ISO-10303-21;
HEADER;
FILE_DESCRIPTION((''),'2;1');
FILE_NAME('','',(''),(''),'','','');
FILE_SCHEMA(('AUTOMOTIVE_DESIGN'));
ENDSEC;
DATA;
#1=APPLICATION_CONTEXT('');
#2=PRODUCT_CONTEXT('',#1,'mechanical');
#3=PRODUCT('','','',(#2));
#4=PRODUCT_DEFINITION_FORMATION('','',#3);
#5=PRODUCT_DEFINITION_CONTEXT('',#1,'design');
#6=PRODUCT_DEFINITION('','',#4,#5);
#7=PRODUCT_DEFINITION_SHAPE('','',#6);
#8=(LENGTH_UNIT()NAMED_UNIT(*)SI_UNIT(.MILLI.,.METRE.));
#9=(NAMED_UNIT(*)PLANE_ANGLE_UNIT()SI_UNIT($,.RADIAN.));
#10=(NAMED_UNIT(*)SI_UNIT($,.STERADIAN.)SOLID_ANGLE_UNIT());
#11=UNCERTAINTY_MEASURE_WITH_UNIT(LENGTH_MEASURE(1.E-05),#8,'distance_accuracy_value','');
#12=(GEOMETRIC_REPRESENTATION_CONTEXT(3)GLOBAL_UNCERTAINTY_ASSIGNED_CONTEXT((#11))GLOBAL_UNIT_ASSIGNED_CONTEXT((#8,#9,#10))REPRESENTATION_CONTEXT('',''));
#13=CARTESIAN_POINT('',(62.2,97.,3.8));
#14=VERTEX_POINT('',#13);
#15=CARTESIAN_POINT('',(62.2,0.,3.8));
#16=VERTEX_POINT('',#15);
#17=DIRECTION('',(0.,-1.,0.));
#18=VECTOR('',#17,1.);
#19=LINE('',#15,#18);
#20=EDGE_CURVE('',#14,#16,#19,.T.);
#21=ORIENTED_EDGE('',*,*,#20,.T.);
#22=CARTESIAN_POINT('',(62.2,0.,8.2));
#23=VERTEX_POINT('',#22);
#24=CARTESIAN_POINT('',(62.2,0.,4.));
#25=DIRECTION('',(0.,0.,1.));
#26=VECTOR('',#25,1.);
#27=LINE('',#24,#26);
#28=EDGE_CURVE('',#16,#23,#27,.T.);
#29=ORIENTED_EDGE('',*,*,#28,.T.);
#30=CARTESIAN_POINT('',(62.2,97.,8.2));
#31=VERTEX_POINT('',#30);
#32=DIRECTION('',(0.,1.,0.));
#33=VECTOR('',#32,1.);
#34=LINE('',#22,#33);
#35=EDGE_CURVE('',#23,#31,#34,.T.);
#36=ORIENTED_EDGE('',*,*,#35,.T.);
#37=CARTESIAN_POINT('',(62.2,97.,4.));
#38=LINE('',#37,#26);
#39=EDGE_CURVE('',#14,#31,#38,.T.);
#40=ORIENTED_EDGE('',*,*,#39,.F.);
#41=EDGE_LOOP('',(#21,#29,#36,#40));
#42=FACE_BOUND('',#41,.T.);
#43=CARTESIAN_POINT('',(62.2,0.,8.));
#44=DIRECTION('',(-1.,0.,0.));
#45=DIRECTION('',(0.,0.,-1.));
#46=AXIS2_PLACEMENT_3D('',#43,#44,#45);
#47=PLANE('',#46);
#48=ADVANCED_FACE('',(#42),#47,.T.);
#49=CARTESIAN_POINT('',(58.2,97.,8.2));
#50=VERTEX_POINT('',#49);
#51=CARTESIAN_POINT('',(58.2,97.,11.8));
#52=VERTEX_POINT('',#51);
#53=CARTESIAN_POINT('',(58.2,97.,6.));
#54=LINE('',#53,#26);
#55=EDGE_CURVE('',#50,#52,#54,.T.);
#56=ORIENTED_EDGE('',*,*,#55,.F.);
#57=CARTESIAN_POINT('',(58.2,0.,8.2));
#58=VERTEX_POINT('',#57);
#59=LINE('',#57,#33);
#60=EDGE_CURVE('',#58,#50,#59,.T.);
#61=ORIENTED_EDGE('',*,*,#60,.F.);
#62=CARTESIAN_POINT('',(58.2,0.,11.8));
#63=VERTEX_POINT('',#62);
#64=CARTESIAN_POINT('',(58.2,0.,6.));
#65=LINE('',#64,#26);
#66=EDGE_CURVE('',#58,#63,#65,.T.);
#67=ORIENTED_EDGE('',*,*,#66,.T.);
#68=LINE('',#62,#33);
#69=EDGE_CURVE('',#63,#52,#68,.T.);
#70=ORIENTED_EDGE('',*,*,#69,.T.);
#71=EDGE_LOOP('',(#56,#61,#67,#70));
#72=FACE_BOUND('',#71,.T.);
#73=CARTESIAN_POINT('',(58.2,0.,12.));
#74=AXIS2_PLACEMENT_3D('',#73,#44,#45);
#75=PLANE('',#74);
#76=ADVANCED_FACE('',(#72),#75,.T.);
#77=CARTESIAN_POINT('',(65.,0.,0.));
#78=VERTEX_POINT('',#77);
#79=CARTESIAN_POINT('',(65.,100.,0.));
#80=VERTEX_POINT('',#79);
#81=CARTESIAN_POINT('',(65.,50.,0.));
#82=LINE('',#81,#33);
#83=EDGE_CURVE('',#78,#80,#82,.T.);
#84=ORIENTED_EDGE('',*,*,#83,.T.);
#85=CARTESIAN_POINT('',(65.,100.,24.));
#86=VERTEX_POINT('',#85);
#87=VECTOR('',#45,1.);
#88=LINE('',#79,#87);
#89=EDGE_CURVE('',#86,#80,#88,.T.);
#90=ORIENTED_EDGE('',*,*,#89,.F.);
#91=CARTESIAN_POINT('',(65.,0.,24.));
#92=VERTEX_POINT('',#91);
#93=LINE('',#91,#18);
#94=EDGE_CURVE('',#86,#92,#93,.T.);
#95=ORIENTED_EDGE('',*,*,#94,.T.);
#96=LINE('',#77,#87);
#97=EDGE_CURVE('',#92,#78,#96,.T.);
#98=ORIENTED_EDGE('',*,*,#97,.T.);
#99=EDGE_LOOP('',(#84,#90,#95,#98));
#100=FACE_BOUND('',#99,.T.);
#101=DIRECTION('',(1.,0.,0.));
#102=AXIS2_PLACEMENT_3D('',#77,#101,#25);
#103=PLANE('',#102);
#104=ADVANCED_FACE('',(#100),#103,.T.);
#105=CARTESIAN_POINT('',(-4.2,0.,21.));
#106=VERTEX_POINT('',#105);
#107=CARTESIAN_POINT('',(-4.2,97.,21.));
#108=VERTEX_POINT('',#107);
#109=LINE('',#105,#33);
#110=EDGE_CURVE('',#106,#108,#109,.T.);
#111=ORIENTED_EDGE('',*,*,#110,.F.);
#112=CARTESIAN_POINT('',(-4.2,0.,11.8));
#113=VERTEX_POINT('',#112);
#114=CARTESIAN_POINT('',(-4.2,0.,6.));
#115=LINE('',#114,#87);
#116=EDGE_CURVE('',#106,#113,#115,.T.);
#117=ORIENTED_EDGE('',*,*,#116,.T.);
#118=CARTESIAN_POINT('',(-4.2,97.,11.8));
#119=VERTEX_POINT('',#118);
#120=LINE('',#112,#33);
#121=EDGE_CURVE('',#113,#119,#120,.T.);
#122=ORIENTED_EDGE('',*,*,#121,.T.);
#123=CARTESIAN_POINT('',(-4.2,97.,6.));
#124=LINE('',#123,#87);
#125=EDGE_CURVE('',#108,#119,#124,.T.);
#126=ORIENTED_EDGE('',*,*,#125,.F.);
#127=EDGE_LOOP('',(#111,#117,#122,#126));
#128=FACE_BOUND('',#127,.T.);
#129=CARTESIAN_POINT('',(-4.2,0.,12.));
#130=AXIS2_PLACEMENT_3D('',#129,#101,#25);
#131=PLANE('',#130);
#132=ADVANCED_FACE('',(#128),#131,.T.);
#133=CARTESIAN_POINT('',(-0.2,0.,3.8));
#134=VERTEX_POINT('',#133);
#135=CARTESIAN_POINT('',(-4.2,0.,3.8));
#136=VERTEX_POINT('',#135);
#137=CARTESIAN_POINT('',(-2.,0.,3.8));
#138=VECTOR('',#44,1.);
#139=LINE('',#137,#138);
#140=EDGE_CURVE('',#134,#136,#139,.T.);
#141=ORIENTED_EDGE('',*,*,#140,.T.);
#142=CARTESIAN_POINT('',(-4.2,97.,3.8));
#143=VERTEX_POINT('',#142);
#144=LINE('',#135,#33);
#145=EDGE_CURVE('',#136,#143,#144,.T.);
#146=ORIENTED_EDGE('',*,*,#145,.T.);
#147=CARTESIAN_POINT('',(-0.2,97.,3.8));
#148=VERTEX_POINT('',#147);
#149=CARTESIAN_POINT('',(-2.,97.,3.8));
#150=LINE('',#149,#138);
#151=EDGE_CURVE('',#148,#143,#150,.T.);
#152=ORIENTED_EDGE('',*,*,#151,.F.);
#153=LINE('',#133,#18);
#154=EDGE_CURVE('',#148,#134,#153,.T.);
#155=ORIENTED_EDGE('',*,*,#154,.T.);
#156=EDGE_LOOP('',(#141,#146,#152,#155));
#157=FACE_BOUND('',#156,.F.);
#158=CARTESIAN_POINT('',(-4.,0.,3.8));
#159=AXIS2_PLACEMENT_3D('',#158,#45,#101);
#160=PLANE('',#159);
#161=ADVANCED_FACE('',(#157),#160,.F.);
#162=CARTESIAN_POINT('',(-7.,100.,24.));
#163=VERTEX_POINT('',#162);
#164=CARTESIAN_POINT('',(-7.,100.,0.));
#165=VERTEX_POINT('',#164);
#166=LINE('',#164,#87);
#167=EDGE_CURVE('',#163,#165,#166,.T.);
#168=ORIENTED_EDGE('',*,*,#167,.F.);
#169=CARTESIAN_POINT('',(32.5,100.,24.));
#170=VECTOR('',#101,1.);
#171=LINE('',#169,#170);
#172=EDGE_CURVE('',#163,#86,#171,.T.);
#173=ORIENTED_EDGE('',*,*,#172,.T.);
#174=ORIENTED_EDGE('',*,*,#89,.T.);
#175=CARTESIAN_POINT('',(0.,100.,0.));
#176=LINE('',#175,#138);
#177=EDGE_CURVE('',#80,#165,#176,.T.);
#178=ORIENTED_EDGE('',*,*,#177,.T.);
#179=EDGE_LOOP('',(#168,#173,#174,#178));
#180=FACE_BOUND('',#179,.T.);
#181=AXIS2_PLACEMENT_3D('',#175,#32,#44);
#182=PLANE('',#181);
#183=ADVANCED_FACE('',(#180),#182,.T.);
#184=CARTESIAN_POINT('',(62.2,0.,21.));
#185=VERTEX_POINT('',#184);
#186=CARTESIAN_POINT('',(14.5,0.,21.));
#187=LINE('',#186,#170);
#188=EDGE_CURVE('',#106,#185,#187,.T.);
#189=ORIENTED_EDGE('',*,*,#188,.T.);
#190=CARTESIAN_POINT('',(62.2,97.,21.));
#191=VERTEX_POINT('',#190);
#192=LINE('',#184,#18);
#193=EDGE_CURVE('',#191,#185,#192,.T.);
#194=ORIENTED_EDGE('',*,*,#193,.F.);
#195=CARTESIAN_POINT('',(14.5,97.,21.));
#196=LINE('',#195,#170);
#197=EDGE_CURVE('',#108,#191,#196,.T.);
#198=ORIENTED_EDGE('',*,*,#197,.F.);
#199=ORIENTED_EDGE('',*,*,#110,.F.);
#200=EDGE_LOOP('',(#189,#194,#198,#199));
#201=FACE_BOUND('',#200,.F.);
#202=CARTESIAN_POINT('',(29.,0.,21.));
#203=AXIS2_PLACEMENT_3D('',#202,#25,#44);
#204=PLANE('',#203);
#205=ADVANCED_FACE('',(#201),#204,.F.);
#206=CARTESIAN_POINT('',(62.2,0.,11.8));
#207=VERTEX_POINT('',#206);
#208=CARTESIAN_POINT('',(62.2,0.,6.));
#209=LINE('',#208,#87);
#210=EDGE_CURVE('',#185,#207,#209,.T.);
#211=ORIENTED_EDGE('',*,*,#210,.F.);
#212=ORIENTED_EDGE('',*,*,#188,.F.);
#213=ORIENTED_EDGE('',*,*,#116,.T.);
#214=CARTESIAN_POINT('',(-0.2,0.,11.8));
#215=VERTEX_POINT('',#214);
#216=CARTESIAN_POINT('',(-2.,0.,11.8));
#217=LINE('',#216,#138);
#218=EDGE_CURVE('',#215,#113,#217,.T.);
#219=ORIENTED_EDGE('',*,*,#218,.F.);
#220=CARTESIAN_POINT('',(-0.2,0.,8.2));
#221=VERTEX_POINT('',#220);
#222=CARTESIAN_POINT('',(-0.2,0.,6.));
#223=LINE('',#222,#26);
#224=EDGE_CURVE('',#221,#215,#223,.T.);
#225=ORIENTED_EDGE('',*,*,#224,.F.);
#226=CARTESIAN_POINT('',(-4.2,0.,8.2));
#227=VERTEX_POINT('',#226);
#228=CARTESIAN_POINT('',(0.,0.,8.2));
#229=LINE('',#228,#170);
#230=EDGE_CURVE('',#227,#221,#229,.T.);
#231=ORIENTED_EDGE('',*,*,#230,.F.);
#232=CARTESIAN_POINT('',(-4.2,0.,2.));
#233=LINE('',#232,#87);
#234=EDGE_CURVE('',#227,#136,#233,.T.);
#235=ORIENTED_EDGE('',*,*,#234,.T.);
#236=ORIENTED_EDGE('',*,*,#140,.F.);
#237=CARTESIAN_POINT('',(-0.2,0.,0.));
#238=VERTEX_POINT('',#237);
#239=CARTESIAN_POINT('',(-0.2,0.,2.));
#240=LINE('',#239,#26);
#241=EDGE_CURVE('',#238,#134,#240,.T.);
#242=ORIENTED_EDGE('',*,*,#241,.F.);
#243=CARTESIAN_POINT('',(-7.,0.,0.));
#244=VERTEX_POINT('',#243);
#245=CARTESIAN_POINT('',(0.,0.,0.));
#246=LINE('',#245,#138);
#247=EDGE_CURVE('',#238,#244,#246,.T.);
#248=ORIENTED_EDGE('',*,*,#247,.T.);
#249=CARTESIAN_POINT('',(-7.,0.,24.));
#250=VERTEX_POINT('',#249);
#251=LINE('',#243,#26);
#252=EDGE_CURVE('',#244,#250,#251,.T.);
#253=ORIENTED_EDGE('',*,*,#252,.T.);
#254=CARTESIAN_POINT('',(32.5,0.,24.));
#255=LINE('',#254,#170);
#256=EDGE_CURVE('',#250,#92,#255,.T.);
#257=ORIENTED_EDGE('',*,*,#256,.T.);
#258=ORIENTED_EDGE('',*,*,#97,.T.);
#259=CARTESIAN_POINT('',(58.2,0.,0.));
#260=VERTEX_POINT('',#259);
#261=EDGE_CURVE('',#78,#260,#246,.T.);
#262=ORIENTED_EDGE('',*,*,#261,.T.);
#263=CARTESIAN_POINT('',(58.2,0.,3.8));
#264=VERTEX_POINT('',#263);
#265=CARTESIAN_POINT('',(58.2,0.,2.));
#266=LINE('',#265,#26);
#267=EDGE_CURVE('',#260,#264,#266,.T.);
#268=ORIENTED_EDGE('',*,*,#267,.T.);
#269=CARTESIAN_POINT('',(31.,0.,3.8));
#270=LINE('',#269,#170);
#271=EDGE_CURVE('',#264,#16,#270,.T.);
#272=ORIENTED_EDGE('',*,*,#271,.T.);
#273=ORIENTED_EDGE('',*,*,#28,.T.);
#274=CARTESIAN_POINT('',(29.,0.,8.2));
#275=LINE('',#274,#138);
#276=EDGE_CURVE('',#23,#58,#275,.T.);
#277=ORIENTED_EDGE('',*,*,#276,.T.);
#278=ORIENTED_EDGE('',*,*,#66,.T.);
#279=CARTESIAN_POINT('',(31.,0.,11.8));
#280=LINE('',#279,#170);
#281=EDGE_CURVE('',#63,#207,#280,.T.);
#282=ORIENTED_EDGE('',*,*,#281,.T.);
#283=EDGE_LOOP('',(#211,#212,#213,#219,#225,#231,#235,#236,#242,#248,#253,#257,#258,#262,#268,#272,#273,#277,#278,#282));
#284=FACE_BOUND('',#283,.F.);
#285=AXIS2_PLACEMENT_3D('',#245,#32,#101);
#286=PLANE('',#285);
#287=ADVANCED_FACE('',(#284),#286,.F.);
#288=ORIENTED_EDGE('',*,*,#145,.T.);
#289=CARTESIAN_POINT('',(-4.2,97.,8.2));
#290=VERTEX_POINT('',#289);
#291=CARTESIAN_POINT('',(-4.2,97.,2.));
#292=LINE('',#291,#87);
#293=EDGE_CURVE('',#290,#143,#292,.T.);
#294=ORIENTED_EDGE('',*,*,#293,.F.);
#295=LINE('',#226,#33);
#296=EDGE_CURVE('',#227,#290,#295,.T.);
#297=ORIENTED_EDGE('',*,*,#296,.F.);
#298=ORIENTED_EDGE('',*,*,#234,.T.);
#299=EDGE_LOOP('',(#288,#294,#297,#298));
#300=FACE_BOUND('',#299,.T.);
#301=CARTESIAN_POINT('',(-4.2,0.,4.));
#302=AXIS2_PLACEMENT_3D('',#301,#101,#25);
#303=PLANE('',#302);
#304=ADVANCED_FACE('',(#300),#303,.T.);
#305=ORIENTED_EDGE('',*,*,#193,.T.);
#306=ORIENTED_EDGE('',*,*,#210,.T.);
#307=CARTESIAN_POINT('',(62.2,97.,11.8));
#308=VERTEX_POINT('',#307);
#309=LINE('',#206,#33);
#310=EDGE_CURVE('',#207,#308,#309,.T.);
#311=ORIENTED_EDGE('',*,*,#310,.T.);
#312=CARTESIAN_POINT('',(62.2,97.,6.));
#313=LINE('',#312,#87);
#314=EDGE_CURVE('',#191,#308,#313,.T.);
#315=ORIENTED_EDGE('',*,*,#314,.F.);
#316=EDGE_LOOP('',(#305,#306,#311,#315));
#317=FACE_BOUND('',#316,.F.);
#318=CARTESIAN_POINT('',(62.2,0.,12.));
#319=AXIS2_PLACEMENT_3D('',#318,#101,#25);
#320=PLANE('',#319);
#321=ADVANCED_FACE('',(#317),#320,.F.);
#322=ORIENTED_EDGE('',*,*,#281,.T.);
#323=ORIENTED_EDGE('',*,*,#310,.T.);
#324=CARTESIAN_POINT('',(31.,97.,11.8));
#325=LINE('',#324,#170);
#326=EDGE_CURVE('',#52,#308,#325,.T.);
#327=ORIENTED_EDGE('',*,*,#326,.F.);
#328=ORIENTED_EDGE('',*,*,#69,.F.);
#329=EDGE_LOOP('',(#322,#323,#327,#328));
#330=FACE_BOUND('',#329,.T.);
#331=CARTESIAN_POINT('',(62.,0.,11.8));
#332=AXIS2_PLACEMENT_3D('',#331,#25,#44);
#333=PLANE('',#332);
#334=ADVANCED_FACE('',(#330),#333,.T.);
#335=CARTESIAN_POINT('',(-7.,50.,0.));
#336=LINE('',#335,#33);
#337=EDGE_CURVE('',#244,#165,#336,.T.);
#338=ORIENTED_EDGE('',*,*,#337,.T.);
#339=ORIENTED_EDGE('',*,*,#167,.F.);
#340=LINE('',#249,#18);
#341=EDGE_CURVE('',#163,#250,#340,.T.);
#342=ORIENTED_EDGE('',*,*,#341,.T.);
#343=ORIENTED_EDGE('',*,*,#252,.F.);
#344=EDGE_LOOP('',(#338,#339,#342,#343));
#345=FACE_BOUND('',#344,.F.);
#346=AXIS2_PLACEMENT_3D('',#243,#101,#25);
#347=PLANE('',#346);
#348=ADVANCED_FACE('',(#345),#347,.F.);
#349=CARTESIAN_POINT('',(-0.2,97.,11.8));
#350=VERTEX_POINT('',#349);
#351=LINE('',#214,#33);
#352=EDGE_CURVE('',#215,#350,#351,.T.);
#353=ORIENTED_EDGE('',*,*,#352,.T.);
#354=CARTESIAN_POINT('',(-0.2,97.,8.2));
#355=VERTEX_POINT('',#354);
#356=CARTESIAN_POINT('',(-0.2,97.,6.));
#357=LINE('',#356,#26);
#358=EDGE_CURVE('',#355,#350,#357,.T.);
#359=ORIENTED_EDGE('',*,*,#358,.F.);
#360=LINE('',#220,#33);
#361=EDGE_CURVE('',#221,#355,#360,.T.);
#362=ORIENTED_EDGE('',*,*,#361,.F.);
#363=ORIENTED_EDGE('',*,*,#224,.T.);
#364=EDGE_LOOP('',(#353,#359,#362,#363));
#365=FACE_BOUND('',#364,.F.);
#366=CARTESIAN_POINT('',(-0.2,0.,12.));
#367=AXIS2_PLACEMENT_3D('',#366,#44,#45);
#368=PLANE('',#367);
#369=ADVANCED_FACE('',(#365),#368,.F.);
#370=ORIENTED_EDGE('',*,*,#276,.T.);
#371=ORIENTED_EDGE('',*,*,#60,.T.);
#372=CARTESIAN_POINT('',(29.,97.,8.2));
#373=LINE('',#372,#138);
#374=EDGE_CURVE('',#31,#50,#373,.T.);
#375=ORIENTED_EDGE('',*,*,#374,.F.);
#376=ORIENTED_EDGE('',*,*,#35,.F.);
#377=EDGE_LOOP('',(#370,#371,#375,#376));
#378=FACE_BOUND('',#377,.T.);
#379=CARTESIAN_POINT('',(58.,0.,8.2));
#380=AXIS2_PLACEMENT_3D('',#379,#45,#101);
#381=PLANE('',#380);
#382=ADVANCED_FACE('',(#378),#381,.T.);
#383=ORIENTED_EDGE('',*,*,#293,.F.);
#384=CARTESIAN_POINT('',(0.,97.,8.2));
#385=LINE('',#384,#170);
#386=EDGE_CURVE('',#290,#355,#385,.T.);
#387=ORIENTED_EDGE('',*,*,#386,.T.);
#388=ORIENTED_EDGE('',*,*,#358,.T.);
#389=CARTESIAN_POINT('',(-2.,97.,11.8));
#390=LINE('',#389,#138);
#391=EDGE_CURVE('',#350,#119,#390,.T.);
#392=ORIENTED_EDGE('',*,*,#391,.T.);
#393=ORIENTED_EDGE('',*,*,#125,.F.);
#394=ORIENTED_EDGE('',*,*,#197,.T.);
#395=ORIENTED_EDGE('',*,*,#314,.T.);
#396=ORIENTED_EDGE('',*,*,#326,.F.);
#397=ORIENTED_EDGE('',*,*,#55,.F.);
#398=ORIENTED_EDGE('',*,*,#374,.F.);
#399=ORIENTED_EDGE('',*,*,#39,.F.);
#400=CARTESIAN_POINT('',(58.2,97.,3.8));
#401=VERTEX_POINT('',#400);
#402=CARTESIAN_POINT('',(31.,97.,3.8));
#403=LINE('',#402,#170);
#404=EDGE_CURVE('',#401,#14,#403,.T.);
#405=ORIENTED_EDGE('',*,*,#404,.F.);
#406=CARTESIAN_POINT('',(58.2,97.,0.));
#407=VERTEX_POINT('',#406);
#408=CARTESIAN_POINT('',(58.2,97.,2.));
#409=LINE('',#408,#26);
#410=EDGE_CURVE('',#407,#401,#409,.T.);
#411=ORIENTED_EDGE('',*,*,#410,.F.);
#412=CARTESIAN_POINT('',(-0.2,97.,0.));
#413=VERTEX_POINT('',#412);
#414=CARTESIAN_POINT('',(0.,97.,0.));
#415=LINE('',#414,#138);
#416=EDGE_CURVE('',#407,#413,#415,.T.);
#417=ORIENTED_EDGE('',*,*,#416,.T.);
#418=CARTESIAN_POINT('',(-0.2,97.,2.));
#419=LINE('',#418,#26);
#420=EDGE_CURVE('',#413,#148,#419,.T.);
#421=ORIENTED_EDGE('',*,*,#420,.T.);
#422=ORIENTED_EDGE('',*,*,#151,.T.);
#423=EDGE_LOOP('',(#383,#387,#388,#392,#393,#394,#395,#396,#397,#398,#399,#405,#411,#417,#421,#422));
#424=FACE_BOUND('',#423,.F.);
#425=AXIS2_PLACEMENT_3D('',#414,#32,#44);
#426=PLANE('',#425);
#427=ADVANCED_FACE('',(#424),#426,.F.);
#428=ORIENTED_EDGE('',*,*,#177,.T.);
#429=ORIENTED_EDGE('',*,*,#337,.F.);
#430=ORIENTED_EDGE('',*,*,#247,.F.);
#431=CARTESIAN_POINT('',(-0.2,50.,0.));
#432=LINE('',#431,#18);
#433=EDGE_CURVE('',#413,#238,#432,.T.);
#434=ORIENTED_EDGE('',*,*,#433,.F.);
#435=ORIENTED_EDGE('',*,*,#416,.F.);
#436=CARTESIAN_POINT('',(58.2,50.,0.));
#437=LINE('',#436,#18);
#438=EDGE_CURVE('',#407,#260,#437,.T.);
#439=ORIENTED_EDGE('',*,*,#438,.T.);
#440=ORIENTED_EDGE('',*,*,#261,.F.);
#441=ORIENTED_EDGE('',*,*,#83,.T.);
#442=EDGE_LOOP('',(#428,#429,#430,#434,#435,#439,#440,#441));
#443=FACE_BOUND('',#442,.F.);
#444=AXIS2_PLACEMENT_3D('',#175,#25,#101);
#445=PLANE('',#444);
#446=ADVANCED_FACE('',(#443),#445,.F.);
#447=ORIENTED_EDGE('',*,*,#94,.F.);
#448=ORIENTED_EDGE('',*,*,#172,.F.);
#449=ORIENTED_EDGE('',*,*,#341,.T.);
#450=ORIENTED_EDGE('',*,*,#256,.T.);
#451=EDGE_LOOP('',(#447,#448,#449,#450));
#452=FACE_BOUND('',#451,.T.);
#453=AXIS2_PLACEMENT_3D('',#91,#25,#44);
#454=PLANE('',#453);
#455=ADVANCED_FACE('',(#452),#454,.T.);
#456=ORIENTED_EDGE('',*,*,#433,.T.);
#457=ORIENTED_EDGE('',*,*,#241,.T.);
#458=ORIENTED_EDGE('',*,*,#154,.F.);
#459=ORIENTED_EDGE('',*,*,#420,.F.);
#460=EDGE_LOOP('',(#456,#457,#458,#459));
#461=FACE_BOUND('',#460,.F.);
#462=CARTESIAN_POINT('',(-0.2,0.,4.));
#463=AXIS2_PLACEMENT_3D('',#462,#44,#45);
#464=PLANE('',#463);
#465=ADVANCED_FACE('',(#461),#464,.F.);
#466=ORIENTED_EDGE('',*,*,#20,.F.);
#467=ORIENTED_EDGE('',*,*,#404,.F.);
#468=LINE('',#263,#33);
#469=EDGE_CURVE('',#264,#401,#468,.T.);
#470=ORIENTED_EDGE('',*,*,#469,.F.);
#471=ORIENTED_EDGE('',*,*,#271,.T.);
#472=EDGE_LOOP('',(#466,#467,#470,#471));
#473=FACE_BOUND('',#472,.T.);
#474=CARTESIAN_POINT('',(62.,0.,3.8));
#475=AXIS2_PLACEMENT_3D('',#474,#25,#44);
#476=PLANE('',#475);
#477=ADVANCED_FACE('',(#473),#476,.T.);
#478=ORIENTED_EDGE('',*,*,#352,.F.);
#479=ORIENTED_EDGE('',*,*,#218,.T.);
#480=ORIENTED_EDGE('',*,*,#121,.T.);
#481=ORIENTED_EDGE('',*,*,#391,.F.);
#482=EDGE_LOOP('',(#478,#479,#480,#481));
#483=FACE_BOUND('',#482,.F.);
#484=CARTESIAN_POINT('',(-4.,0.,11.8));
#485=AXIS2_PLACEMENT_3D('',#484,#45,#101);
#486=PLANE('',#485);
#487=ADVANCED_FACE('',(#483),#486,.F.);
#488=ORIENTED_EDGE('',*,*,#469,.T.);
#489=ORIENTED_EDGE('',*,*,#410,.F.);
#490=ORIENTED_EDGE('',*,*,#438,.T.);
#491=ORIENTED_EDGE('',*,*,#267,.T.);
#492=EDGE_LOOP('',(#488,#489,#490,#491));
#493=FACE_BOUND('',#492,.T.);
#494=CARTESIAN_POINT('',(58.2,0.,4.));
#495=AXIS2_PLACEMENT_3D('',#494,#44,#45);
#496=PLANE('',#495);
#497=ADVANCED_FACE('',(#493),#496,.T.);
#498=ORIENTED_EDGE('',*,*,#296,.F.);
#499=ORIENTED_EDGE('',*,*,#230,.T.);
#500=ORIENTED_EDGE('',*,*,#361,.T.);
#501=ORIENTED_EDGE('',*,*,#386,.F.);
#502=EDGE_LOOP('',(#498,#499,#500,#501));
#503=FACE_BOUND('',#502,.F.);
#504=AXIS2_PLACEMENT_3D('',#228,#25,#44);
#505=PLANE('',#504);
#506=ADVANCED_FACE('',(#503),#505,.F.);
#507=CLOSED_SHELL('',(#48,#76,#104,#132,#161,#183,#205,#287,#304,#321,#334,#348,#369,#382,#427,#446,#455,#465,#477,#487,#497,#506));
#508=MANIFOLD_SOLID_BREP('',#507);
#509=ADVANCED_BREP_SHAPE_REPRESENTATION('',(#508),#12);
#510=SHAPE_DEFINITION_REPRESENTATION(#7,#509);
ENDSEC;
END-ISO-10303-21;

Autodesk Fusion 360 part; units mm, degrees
sketch "Boceto1" plane through (0, 0, 0) normal (0, 1, 0) x (1, 0, 0)
  line L0 (58, 0) -> (62, 0)
  line L1 (62, 0) -> (62, -4)
  line L2 (62, -4) -> (58, -4)
  line L3 (58, -4) -> (58, 0)
  line L4 (58, -8) -> (62, -8)
  line L5 (62, -8) -> (62, -12)
  line L6 (62, -12) -> (58, -12)
  line L7 (58, -12) -> (58, -8)
  line L8 (62, -12) -> (62, -21)
  line L9 (62, -21) -> (-4, -21)
  line L10 (62, 0) -> (65, 0)
  line L11 (65, 0) -> (65, -24)
  line L12 (65, -24) -> (-7, -24)
  line L13 (29, -21) -> (29, -3)
  line L14 (-4, -12) -> (0, -12)
  line L15 (0, -8) -> (-4, -8)
  line L16 (-4, -8) -> (-4, -12)
  line L17 (-4, -12) -> (-4, -21)
  line L18 (-4, -4) -> (0, -4)
  line L19 (-4, 0) -> (-4, -4)
  line L20 (-4, 0) -> (-7, 0)
  line L21 (-7, 0) -> (-7, -24)
  line L22 (-7, -24) -> (65, -24)
  line L23 (-4, -21) -> (62, -21)
  line L24 (0, 0) -> (-4, 0)
  line L25 (-4, -4) -> (-4, -8)
  line L26 (62, -8) -> (62, -4)
  line L27 (0, -16) -> (0, -8)
  line L28 (0, -4) -> (0, 0)
  line L29 (58, 0) -> (58, -4)
  line L30 (58, -8) -> (58, -16)
  dimension "d1" = 58
  dimension "d2" = 16
  dimension "d3" = 4
  dimension "d4" = 4
  dimension "d5" = 4
  dimension "d6" = 4
  dimension "d7" = 4
  dimension "d8" = 9
  dimension "d9" = 66
  dimension "d10" = 24
  dimension "d11" = 72
extrude "Extruir1" add sketch "Boceto1" along normal blind 100
sketch "Boceto2" plane through (0, 100, 0) normal (0, 1, 0) x (-1, 0, 0)
  line L0 (-62, 8) -> (-58, 8)
  line L1 (-58, 8) -> (-58, 12)
  line L2 (-58, 12) -> (-62, 12)
  line L3 (-62, 12) -> (-62, 21)
  line L4 (-62, 21) -> (4, 21)
  line L5 (4, 21) -> (4, 12)
  line L6 (4, 12) -> (0, 12)
  line L7 (0, 12) -> (0, 8)
  line L8 (0, 8) -> (4, 8)
  line L9 (4, 8) -> (4, 4)
  line L10 (4, 4) -> (0, 4)
  line L11 (0, 4) -> (0, 0)
  line L12 (0, 0) -> (7, 0)
  line L13 (7, 0) -> (7, 24)
  line L14 (7, 24) -> (-65, 24)
  line L15 (-65, 24) -> (-65, 0)
  line L16 (-65, 0) -> (-58, 0)
  line L17 (-58, 0) -> (-58, 4)
  line L18 (-58, 4) -> (-62, 4)
  line L19 (-62, 4) -> (-62, 8)
  line L20 (7, 0) -> (-65, 0)
  line L21 (-65, 0) -> (-65, 24)
  line L22 (-65, 24) -> (7, 24)
  line L23 (7, 24) -> (7, 0)
extrude "Extruir2" add sketch "Boceto2" against normal blind 3 contours L0 L1 L2 L3 L4 L5 L6 L7 L8 L9 L10 L11 L17 L18 L19 L20
move_face "CarasDesfase1" offset -0.2 14 faces at (58, 32.3333, 2.6667) (58, 32.3333, 10.6667) (62, 32.3333, 15) (59.3333, 32.3333, 8) (62, 32.3333, 6.6667) (0, 32.3333, 2.6667) (-4, 32.3333, 5.3333) (0, 32.3333, 10.6667) (-4, 32.3333, 15) (-1.3333, 32.3333, 8) (-2.6667, 32.3333, 4) (-2.6667, 32.3333, 12) (59.3333, 64.6667, 4) (59.3333, 64.6667, 12)
